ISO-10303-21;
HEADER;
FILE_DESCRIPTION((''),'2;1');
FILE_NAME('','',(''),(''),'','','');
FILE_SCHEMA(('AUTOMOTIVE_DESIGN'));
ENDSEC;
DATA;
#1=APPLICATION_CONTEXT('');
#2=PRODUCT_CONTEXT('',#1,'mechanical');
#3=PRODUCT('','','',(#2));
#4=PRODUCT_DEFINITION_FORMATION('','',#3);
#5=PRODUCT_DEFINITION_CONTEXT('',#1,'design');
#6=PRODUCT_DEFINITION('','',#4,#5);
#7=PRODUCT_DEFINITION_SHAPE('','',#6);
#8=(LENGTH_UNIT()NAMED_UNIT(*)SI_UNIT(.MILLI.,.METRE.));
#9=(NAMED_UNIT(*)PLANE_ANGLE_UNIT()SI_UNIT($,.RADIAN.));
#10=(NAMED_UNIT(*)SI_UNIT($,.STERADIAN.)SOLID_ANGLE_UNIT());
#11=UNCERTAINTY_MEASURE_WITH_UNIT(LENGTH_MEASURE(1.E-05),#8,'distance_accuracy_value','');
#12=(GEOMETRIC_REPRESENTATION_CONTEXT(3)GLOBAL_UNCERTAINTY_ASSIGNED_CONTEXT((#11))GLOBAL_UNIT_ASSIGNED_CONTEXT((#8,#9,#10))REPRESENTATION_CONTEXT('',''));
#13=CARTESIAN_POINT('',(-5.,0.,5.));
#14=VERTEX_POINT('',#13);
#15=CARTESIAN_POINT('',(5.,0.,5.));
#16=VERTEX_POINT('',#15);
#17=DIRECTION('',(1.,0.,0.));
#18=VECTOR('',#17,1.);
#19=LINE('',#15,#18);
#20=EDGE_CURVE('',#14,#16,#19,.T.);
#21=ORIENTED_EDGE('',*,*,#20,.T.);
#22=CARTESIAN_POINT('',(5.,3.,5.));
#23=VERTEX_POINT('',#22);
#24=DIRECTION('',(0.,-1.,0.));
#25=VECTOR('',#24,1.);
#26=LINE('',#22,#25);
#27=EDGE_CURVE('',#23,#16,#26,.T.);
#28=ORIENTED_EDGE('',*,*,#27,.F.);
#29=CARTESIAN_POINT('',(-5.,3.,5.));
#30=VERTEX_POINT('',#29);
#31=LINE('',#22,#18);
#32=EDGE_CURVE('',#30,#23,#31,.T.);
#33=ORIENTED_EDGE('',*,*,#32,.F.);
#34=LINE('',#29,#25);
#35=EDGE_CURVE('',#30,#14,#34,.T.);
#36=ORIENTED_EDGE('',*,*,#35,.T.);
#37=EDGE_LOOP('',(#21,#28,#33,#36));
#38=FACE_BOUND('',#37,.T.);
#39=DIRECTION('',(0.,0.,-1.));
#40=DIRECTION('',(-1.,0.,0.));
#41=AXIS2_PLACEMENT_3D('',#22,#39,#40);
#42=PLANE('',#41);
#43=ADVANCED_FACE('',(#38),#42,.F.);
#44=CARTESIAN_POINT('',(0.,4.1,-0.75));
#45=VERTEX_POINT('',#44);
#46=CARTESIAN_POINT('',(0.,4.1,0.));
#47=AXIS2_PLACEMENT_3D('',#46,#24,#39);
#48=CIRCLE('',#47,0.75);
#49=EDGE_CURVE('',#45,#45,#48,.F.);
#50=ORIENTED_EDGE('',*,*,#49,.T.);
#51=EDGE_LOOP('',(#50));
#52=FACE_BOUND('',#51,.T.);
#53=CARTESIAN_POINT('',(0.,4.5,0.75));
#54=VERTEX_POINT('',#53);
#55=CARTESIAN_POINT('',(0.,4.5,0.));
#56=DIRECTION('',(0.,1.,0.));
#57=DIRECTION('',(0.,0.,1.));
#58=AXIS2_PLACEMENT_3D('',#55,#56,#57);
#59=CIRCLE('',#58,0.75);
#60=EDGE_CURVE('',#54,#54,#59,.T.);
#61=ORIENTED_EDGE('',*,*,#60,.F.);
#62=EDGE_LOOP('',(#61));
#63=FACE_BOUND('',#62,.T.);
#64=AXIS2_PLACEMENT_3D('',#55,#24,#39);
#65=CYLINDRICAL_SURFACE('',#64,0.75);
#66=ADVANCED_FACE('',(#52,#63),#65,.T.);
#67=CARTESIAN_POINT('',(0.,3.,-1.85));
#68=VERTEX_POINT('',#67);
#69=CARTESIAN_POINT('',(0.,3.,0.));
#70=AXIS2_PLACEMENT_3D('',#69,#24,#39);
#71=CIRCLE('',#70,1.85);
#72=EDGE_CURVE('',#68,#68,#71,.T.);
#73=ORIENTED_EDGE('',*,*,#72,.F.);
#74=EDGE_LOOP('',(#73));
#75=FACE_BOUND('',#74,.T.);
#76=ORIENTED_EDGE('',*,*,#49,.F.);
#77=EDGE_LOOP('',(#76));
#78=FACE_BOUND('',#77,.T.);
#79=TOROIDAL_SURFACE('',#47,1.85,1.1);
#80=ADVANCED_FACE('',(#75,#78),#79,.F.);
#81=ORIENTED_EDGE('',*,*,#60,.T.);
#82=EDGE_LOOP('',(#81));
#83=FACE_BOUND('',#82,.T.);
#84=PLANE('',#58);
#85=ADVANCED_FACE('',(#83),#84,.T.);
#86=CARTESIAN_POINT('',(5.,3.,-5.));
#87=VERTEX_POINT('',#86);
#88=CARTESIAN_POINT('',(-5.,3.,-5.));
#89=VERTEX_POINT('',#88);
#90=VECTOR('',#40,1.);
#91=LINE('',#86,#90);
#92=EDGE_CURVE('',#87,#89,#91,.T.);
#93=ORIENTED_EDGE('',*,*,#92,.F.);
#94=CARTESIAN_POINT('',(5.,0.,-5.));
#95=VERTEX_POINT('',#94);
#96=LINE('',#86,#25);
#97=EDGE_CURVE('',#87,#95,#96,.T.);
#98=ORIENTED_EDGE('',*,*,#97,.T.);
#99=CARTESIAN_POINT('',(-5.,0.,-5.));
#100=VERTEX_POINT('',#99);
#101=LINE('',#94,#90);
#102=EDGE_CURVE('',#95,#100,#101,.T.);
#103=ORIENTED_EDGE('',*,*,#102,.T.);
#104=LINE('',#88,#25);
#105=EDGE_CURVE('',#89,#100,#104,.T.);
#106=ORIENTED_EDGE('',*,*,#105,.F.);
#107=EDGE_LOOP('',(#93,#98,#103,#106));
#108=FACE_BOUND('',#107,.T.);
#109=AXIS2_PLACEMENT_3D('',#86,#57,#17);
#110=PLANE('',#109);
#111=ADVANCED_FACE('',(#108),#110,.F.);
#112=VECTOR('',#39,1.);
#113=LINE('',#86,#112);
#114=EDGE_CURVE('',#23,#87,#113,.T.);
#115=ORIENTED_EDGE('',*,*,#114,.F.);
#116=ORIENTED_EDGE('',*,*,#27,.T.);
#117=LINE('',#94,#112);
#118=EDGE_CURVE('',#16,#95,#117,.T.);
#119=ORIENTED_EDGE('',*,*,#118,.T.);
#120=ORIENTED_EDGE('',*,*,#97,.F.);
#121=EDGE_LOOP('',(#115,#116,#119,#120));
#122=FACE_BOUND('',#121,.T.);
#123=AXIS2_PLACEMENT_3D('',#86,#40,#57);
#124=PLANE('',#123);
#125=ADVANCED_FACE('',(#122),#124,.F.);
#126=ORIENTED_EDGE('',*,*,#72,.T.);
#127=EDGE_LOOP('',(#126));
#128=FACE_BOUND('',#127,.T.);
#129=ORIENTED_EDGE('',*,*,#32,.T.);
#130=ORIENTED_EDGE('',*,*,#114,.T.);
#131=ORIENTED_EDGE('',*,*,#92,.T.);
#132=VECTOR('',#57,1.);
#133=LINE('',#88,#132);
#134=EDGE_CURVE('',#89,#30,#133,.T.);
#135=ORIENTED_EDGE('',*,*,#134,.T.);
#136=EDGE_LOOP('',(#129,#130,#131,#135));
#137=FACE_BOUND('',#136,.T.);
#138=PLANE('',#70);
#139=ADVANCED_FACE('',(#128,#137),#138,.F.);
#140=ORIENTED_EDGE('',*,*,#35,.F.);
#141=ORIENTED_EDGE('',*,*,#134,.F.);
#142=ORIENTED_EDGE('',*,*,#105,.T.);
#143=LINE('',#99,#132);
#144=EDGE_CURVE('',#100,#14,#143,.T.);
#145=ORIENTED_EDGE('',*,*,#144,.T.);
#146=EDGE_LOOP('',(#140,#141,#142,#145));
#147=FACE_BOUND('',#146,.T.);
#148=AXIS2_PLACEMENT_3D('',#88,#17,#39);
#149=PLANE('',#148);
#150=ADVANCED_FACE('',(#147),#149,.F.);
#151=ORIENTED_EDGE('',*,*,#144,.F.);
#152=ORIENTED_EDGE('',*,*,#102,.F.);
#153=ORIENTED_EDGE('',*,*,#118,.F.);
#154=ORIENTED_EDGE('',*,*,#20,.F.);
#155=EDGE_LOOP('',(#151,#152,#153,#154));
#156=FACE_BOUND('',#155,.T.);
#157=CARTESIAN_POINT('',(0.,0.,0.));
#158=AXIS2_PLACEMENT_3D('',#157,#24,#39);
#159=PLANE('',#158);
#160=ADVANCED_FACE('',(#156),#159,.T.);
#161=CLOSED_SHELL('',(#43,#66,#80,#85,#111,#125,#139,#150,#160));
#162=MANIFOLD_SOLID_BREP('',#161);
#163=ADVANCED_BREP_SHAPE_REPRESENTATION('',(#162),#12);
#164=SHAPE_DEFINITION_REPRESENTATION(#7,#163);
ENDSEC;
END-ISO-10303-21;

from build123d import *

# Parameters (mm, degrees)
SKETCH_1_W      = 10
SKETCH_1_H      = 10
EXTRUDE_1_DEPTH = 3
SKETCH_2_R      = 0.75
EXTRUDE_2_DEPTH = 1.5
FILLET_1_R      = 1.1


with BuildPart() as part:
    # 草图1 → 凸台-拉伸1 (new body)
    with BuildSketch(Plane(origin=(0, 0, 0), x_dir=(1, 0, 0), z_dir=(0, 1, 0))):
        Rectangle(SKETCH_1_W, SKETCH_1_H)
    extrude(amount=EXTRUDE_1_DEPTH)

    # 草图2 → 凸台-拉伸2 (add)
    with BuildSketch(Plane(origin=(0, 3, 0), x_dir=(1, 0, 0), z_dir=(0, 1, 0))):
        Circle(SKETCH_2_R)
    extrude(amount=EXTRUDE_2_DEPTH)

    # 圆角1
    fillet_1_edges = [part.edges().sort_by_distance(p)[0] for p in [
        (-0.75, 3, 0),
    ]]
    fillet(fillet_1_edges, radius=FILLET_1_R)


solid = part.part
